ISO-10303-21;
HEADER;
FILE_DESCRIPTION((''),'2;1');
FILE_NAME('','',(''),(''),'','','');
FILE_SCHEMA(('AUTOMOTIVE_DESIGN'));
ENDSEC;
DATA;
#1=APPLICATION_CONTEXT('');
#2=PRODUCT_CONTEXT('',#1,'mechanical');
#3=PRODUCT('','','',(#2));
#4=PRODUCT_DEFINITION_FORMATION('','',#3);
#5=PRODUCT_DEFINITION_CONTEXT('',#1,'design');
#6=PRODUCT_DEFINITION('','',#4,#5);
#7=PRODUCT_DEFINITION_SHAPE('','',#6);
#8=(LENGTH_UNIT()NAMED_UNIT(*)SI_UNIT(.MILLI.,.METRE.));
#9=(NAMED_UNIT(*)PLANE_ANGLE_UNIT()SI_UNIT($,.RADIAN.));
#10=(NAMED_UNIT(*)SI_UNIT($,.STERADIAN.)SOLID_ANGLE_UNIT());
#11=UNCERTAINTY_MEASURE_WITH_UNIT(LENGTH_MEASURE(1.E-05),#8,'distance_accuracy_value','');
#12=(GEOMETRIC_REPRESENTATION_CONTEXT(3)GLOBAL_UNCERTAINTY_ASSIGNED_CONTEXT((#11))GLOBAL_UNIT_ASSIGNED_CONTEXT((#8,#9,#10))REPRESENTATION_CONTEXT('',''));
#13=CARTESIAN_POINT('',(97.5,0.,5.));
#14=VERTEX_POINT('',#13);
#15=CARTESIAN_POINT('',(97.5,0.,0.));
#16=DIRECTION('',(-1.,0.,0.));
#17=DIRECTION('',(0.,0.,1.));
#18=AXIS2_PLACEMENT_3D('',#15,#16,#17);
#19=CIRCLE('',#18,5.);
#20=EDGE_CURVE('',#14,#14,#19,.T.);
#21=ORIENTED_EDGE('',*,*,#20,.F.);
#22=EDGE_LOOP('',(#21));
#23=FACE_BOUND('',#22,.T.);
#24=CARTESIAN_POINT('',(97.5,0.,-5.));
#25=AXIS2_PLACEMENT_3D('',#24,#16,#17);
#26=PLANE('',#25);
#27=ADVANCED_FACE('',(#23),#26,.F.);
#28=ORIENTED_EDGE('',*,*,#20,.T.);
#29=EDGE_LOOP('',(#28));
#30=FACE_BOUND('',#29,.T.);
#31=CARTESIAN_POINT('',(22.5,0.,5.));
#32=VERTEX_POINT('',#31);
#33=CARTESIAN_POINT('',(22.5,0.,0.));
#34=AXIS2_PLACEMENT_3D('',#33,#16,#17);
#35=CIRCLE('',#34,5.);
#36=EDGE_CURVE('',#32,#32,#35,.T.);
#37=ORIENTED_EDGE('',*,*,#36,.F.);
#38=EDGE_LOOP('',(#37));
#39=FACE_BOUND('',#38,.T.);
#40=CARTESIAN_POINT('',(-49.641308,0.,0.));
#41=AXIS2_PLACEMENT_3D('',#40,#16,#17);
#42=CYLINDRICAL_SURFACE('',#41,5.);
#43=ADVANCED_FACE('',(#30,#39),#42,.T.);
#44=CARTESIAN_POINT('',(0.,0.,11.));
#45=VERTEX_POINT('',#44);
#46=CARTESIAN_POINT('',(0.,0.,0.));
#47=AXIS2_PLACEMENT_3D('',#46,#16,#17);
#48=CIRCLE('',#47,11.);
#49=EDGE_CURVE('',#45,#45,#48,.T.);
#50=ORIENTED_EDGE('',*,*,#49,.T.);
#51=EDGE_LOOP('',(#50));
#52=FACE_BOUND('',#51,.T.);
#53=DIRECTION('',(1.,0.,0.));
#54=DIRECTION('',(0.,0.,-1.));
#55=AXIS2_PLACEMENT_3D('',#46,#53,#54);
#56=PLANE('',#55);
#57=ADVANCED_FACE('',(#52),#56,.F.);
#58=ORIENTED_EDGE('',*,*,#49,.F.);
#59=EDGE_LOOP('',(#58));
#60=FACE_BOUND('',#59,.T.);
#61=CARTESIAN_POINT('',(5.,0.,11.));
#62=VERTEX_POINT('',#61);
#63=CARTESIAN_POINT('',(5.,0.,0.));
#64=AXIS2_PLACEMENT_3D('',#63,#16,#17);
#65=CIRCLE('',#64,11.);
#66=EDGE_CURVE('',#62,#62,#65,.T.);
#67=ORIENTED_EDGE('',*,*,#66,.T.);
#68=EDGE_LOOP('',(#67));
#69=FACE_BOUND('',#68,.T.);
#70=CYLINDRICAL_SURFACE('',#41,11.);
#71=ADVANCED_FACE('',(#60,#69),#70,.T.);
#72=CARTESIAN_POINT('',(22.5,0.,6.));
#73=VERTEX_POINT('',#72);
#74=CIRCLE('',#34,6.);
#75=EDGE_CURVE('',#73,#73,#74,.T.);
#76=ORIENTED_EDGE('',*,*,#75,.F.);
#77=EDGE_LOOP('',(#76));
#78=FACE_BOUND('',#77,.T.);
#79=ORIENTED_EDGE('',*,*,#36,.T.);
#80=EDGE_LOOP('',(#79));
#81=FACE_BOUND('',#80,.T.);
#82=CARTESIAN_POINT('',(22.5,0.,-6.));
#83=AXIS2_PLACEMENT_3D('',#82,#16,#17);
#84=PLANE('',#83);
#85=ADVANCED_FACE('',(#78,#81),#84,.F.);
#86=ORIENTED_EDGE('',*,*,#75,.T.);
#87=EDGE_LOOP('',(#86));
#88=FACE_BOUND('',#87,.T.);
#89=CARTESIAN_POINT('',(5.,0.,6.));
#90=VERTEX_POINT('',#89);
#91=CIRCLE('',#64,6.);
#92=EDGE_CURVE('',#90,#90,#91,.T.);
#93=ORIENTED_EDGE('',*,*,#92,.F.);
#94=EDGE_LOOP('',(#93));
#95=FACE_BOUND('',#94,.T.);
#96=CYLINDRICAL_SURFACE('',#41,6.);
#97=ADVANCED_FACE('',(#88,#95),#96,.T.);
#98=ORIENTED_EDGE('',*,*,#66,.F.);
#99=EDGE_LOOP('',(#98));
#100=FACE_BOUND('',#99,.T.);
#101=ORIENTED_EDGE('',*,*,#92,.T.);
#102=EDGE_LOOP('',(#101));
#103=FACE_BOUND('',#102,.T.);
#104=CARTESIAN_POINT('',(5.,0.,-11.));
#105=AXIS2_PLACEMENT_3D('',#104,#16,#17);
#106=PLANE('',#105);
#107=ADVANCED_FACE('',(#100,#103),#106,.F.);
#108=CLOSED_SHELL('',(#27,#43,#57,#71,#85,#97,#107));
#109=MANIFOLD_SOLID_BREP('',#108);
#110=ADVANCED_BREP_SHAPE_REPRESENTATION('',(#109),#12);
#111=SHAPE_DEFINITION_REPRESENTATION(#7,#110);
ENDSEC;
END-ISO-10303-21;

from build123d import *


with BuildPart() as part:
    # 草图1 → 旋转1 (revolve)
    with BuildSketch(Plane(origin=(0, 0, 0), x_dir=(1, 0, 0), z_dir=(0, 1, 0)), mode=Mode.PRIVATE) as revolve_1_sk:
        Polygon((0, 0), (0, 11), (5, 11), (5, 6), (22.5, 6), (22.5, 5), (97.5, 5), (97.5, 0), align=None)
    revolve(revolve_1_sk.sketch.rotate(Axis((-49.641307882, 0, 0), (1, 0, 0)), 180), axis=Axis((-49.641307882, 0, 0), (1, 0, 0)))


solid = part.part
